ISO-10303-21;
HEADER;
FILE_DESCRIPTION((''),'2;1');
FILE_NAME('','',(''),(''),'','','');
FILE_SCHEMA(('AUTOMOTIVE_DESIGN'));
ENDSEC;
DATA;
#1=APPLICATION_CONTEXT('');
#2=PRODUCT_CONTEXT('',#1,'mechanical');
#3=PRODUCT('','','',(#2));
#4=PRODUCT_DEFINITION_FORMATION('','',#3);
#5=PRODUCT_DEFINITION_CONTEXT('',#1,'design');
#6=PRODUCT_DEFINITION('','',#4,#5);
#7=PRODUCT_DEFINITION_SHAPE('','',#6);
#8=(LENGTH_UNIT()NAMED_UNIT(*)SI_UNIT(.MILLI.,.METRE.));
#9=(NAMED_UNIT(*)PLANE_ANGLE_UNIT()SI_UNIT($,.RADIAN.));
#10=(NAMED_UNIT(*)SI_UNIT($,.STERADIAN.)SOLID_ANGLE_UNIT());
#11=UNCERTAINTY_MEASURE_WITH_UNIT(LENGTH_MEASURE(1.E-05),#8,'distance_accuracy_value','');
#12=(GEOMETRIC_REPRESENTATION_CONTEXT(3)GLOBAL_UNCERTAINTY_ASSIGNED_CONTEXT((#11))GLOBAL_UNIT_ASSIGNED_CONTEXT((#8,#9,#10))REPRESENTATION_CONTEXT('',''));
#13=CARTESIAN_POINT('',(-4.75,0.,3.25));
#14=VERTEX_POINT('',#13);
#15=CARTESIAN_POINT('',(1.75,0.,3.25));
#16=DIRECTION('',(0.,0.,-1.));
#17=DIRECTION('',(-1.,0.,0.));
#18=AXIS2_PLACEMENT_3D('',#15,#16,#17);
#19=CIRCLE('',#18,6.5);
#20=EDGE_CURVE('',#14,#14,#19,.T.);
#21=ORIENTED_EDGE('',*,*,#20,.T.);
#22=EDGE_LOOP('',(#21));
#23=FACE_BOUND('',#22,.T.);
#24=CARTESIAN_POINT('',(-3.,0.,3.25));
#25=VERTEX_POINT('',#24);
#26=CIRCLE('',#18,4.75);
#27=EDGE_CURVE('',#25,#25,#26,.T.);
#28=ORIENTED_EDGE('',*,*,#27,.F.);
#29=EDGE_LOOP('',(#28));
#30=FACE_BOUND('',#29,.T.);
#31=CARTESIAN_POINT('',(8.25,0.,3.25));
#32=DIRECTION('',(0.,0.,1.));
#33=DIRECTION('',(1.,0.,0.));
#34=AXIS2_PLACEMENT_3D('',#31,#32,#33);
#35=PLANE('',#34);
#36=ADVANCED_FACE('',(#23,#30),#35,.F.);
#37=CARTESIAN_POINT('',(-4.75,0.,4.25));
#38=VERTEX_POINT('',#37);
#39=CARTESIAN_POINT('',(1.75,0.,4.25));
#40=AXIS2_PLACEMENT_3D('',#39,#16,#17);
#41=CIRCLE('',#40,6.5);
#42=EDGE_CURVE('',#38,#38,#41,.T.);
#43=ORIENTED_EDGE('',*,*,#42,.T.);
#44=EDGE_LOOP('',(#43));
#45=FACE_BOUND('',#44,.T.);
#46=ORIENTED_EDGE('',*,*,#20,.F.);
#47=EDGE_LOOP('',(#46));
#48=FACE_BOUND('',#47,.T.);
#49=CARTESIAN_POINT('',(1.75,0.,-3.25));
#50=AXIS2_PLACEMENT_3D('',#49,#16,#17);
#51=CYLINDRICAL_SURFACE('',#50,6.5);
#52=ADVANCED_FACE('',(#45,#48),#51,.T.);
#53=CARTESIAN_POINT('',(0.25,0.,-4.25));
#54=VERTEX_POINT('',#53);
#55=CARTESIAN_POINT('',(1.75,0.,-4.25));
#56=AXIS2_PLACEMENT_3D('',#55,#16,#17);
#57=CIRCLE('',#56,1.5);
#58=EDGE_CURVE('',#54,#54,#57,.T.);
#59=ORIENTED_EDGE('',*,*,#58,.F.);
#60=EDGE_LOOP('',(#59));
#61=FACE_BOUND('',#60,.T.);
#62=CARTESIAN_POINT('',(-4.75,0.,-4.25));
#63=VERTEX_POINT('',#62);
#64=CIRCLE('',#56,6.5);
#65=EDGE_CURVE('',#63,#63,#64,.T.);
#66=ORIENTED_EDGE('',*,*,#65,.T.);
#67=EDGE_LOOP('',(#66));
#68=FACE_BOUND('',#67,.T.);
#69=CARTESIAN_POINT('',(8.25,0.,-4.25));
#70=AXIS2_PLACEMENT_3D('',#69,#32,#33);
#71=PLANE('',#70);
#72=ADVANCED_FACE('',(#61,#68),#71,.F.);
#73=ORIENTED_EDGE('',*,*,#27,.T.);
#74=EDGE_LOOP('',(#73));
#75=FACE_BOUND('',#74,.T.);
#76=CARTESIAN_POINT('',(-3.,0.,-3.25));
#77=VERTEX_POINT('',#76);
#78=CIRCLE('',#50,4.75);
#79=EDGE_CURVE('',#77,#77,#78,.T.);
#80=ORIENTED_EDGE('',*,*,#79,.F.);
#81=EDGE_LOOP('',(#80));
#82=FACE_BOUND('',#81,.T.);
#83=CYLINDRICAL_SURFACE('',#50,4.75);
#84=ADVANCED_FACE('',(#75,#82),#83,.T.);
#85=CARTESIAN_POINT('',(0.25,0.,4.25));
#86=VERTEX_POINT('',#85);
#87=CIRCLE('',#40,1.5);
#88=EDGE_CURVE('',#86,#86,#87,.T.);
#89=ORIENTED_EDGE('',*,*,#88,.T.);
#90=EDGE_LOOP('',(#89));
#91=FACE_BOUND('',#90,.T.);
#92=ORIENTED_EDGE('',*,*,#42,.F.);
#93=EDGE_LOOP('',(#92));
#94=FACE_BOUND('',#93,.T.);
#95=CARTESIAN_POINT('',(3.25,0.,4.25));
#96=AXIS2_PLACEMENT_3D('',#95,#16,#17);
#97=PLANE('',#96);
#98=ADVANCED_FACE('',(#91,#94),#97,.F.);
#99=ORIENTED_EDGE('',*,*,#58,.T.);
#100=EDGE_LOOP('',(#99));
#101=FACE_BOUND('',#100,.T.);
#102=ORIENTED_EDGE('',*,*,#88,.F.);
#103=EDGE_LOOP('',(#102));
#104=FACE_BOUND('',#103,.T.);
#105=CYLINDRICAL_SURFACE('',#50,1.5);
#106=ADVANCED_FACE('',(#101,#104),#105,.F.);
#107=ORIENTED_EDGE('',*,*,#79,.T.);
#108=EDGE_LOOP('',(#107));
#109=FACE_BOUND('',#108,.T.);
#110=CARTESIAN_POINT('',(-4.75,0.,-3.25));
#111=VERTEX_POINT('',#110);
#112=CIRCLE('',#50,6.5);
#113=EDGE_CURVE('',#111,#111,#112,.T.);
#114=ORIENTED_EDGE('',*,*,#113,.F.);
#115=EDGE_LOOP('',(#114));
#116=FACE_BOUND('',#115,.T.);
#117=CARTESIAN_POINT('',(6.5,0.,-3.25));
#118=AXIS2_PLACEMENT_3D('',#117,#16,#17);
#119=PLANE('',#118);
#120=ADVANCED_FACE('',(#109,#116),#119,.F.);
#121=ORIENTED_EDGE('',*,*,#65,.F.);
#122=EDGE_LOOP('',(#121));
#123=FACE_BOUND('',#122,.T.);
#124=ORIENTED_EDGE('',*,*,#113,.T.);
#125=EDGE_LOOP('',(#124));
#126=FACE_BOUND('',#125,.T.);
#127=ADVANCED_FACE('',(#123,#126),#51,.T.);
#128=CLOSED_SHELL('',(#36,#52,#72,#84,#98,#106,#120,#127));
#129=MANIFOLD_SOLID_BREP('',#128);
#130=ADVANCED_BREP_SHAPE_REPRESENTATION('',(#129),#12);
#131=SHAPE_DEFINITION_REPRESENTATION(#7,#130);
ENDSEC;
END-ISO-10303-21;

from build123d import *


with BuildPart() as part:
    # Sketch2 → Revolve1 (revolve)
    with BuildSketch(Plane(origin=(0, 0, 0), x_dir=(-1, 0, 0), z_dir=(0, 1, 0)), mode=Mode.PRIVATE) as revolve1_sk:
        Polygon((-6.5, 3.25), (-6.5, -3.25), (-8.25, -3.25), (-8.25, -4.25), (-3.25, -4.25), (-3.25, 4.25), (-8.25, 4.25), (-8.25, 3.25), align=None)
    revolve(revolve1_sk.sketch.rotate(Axis((1.75, 0, -3.25), (0, 0, 1)), 180), axis=Axis((1.75, 0, -3.25), (0, 0, 1)))


solid = part.part
